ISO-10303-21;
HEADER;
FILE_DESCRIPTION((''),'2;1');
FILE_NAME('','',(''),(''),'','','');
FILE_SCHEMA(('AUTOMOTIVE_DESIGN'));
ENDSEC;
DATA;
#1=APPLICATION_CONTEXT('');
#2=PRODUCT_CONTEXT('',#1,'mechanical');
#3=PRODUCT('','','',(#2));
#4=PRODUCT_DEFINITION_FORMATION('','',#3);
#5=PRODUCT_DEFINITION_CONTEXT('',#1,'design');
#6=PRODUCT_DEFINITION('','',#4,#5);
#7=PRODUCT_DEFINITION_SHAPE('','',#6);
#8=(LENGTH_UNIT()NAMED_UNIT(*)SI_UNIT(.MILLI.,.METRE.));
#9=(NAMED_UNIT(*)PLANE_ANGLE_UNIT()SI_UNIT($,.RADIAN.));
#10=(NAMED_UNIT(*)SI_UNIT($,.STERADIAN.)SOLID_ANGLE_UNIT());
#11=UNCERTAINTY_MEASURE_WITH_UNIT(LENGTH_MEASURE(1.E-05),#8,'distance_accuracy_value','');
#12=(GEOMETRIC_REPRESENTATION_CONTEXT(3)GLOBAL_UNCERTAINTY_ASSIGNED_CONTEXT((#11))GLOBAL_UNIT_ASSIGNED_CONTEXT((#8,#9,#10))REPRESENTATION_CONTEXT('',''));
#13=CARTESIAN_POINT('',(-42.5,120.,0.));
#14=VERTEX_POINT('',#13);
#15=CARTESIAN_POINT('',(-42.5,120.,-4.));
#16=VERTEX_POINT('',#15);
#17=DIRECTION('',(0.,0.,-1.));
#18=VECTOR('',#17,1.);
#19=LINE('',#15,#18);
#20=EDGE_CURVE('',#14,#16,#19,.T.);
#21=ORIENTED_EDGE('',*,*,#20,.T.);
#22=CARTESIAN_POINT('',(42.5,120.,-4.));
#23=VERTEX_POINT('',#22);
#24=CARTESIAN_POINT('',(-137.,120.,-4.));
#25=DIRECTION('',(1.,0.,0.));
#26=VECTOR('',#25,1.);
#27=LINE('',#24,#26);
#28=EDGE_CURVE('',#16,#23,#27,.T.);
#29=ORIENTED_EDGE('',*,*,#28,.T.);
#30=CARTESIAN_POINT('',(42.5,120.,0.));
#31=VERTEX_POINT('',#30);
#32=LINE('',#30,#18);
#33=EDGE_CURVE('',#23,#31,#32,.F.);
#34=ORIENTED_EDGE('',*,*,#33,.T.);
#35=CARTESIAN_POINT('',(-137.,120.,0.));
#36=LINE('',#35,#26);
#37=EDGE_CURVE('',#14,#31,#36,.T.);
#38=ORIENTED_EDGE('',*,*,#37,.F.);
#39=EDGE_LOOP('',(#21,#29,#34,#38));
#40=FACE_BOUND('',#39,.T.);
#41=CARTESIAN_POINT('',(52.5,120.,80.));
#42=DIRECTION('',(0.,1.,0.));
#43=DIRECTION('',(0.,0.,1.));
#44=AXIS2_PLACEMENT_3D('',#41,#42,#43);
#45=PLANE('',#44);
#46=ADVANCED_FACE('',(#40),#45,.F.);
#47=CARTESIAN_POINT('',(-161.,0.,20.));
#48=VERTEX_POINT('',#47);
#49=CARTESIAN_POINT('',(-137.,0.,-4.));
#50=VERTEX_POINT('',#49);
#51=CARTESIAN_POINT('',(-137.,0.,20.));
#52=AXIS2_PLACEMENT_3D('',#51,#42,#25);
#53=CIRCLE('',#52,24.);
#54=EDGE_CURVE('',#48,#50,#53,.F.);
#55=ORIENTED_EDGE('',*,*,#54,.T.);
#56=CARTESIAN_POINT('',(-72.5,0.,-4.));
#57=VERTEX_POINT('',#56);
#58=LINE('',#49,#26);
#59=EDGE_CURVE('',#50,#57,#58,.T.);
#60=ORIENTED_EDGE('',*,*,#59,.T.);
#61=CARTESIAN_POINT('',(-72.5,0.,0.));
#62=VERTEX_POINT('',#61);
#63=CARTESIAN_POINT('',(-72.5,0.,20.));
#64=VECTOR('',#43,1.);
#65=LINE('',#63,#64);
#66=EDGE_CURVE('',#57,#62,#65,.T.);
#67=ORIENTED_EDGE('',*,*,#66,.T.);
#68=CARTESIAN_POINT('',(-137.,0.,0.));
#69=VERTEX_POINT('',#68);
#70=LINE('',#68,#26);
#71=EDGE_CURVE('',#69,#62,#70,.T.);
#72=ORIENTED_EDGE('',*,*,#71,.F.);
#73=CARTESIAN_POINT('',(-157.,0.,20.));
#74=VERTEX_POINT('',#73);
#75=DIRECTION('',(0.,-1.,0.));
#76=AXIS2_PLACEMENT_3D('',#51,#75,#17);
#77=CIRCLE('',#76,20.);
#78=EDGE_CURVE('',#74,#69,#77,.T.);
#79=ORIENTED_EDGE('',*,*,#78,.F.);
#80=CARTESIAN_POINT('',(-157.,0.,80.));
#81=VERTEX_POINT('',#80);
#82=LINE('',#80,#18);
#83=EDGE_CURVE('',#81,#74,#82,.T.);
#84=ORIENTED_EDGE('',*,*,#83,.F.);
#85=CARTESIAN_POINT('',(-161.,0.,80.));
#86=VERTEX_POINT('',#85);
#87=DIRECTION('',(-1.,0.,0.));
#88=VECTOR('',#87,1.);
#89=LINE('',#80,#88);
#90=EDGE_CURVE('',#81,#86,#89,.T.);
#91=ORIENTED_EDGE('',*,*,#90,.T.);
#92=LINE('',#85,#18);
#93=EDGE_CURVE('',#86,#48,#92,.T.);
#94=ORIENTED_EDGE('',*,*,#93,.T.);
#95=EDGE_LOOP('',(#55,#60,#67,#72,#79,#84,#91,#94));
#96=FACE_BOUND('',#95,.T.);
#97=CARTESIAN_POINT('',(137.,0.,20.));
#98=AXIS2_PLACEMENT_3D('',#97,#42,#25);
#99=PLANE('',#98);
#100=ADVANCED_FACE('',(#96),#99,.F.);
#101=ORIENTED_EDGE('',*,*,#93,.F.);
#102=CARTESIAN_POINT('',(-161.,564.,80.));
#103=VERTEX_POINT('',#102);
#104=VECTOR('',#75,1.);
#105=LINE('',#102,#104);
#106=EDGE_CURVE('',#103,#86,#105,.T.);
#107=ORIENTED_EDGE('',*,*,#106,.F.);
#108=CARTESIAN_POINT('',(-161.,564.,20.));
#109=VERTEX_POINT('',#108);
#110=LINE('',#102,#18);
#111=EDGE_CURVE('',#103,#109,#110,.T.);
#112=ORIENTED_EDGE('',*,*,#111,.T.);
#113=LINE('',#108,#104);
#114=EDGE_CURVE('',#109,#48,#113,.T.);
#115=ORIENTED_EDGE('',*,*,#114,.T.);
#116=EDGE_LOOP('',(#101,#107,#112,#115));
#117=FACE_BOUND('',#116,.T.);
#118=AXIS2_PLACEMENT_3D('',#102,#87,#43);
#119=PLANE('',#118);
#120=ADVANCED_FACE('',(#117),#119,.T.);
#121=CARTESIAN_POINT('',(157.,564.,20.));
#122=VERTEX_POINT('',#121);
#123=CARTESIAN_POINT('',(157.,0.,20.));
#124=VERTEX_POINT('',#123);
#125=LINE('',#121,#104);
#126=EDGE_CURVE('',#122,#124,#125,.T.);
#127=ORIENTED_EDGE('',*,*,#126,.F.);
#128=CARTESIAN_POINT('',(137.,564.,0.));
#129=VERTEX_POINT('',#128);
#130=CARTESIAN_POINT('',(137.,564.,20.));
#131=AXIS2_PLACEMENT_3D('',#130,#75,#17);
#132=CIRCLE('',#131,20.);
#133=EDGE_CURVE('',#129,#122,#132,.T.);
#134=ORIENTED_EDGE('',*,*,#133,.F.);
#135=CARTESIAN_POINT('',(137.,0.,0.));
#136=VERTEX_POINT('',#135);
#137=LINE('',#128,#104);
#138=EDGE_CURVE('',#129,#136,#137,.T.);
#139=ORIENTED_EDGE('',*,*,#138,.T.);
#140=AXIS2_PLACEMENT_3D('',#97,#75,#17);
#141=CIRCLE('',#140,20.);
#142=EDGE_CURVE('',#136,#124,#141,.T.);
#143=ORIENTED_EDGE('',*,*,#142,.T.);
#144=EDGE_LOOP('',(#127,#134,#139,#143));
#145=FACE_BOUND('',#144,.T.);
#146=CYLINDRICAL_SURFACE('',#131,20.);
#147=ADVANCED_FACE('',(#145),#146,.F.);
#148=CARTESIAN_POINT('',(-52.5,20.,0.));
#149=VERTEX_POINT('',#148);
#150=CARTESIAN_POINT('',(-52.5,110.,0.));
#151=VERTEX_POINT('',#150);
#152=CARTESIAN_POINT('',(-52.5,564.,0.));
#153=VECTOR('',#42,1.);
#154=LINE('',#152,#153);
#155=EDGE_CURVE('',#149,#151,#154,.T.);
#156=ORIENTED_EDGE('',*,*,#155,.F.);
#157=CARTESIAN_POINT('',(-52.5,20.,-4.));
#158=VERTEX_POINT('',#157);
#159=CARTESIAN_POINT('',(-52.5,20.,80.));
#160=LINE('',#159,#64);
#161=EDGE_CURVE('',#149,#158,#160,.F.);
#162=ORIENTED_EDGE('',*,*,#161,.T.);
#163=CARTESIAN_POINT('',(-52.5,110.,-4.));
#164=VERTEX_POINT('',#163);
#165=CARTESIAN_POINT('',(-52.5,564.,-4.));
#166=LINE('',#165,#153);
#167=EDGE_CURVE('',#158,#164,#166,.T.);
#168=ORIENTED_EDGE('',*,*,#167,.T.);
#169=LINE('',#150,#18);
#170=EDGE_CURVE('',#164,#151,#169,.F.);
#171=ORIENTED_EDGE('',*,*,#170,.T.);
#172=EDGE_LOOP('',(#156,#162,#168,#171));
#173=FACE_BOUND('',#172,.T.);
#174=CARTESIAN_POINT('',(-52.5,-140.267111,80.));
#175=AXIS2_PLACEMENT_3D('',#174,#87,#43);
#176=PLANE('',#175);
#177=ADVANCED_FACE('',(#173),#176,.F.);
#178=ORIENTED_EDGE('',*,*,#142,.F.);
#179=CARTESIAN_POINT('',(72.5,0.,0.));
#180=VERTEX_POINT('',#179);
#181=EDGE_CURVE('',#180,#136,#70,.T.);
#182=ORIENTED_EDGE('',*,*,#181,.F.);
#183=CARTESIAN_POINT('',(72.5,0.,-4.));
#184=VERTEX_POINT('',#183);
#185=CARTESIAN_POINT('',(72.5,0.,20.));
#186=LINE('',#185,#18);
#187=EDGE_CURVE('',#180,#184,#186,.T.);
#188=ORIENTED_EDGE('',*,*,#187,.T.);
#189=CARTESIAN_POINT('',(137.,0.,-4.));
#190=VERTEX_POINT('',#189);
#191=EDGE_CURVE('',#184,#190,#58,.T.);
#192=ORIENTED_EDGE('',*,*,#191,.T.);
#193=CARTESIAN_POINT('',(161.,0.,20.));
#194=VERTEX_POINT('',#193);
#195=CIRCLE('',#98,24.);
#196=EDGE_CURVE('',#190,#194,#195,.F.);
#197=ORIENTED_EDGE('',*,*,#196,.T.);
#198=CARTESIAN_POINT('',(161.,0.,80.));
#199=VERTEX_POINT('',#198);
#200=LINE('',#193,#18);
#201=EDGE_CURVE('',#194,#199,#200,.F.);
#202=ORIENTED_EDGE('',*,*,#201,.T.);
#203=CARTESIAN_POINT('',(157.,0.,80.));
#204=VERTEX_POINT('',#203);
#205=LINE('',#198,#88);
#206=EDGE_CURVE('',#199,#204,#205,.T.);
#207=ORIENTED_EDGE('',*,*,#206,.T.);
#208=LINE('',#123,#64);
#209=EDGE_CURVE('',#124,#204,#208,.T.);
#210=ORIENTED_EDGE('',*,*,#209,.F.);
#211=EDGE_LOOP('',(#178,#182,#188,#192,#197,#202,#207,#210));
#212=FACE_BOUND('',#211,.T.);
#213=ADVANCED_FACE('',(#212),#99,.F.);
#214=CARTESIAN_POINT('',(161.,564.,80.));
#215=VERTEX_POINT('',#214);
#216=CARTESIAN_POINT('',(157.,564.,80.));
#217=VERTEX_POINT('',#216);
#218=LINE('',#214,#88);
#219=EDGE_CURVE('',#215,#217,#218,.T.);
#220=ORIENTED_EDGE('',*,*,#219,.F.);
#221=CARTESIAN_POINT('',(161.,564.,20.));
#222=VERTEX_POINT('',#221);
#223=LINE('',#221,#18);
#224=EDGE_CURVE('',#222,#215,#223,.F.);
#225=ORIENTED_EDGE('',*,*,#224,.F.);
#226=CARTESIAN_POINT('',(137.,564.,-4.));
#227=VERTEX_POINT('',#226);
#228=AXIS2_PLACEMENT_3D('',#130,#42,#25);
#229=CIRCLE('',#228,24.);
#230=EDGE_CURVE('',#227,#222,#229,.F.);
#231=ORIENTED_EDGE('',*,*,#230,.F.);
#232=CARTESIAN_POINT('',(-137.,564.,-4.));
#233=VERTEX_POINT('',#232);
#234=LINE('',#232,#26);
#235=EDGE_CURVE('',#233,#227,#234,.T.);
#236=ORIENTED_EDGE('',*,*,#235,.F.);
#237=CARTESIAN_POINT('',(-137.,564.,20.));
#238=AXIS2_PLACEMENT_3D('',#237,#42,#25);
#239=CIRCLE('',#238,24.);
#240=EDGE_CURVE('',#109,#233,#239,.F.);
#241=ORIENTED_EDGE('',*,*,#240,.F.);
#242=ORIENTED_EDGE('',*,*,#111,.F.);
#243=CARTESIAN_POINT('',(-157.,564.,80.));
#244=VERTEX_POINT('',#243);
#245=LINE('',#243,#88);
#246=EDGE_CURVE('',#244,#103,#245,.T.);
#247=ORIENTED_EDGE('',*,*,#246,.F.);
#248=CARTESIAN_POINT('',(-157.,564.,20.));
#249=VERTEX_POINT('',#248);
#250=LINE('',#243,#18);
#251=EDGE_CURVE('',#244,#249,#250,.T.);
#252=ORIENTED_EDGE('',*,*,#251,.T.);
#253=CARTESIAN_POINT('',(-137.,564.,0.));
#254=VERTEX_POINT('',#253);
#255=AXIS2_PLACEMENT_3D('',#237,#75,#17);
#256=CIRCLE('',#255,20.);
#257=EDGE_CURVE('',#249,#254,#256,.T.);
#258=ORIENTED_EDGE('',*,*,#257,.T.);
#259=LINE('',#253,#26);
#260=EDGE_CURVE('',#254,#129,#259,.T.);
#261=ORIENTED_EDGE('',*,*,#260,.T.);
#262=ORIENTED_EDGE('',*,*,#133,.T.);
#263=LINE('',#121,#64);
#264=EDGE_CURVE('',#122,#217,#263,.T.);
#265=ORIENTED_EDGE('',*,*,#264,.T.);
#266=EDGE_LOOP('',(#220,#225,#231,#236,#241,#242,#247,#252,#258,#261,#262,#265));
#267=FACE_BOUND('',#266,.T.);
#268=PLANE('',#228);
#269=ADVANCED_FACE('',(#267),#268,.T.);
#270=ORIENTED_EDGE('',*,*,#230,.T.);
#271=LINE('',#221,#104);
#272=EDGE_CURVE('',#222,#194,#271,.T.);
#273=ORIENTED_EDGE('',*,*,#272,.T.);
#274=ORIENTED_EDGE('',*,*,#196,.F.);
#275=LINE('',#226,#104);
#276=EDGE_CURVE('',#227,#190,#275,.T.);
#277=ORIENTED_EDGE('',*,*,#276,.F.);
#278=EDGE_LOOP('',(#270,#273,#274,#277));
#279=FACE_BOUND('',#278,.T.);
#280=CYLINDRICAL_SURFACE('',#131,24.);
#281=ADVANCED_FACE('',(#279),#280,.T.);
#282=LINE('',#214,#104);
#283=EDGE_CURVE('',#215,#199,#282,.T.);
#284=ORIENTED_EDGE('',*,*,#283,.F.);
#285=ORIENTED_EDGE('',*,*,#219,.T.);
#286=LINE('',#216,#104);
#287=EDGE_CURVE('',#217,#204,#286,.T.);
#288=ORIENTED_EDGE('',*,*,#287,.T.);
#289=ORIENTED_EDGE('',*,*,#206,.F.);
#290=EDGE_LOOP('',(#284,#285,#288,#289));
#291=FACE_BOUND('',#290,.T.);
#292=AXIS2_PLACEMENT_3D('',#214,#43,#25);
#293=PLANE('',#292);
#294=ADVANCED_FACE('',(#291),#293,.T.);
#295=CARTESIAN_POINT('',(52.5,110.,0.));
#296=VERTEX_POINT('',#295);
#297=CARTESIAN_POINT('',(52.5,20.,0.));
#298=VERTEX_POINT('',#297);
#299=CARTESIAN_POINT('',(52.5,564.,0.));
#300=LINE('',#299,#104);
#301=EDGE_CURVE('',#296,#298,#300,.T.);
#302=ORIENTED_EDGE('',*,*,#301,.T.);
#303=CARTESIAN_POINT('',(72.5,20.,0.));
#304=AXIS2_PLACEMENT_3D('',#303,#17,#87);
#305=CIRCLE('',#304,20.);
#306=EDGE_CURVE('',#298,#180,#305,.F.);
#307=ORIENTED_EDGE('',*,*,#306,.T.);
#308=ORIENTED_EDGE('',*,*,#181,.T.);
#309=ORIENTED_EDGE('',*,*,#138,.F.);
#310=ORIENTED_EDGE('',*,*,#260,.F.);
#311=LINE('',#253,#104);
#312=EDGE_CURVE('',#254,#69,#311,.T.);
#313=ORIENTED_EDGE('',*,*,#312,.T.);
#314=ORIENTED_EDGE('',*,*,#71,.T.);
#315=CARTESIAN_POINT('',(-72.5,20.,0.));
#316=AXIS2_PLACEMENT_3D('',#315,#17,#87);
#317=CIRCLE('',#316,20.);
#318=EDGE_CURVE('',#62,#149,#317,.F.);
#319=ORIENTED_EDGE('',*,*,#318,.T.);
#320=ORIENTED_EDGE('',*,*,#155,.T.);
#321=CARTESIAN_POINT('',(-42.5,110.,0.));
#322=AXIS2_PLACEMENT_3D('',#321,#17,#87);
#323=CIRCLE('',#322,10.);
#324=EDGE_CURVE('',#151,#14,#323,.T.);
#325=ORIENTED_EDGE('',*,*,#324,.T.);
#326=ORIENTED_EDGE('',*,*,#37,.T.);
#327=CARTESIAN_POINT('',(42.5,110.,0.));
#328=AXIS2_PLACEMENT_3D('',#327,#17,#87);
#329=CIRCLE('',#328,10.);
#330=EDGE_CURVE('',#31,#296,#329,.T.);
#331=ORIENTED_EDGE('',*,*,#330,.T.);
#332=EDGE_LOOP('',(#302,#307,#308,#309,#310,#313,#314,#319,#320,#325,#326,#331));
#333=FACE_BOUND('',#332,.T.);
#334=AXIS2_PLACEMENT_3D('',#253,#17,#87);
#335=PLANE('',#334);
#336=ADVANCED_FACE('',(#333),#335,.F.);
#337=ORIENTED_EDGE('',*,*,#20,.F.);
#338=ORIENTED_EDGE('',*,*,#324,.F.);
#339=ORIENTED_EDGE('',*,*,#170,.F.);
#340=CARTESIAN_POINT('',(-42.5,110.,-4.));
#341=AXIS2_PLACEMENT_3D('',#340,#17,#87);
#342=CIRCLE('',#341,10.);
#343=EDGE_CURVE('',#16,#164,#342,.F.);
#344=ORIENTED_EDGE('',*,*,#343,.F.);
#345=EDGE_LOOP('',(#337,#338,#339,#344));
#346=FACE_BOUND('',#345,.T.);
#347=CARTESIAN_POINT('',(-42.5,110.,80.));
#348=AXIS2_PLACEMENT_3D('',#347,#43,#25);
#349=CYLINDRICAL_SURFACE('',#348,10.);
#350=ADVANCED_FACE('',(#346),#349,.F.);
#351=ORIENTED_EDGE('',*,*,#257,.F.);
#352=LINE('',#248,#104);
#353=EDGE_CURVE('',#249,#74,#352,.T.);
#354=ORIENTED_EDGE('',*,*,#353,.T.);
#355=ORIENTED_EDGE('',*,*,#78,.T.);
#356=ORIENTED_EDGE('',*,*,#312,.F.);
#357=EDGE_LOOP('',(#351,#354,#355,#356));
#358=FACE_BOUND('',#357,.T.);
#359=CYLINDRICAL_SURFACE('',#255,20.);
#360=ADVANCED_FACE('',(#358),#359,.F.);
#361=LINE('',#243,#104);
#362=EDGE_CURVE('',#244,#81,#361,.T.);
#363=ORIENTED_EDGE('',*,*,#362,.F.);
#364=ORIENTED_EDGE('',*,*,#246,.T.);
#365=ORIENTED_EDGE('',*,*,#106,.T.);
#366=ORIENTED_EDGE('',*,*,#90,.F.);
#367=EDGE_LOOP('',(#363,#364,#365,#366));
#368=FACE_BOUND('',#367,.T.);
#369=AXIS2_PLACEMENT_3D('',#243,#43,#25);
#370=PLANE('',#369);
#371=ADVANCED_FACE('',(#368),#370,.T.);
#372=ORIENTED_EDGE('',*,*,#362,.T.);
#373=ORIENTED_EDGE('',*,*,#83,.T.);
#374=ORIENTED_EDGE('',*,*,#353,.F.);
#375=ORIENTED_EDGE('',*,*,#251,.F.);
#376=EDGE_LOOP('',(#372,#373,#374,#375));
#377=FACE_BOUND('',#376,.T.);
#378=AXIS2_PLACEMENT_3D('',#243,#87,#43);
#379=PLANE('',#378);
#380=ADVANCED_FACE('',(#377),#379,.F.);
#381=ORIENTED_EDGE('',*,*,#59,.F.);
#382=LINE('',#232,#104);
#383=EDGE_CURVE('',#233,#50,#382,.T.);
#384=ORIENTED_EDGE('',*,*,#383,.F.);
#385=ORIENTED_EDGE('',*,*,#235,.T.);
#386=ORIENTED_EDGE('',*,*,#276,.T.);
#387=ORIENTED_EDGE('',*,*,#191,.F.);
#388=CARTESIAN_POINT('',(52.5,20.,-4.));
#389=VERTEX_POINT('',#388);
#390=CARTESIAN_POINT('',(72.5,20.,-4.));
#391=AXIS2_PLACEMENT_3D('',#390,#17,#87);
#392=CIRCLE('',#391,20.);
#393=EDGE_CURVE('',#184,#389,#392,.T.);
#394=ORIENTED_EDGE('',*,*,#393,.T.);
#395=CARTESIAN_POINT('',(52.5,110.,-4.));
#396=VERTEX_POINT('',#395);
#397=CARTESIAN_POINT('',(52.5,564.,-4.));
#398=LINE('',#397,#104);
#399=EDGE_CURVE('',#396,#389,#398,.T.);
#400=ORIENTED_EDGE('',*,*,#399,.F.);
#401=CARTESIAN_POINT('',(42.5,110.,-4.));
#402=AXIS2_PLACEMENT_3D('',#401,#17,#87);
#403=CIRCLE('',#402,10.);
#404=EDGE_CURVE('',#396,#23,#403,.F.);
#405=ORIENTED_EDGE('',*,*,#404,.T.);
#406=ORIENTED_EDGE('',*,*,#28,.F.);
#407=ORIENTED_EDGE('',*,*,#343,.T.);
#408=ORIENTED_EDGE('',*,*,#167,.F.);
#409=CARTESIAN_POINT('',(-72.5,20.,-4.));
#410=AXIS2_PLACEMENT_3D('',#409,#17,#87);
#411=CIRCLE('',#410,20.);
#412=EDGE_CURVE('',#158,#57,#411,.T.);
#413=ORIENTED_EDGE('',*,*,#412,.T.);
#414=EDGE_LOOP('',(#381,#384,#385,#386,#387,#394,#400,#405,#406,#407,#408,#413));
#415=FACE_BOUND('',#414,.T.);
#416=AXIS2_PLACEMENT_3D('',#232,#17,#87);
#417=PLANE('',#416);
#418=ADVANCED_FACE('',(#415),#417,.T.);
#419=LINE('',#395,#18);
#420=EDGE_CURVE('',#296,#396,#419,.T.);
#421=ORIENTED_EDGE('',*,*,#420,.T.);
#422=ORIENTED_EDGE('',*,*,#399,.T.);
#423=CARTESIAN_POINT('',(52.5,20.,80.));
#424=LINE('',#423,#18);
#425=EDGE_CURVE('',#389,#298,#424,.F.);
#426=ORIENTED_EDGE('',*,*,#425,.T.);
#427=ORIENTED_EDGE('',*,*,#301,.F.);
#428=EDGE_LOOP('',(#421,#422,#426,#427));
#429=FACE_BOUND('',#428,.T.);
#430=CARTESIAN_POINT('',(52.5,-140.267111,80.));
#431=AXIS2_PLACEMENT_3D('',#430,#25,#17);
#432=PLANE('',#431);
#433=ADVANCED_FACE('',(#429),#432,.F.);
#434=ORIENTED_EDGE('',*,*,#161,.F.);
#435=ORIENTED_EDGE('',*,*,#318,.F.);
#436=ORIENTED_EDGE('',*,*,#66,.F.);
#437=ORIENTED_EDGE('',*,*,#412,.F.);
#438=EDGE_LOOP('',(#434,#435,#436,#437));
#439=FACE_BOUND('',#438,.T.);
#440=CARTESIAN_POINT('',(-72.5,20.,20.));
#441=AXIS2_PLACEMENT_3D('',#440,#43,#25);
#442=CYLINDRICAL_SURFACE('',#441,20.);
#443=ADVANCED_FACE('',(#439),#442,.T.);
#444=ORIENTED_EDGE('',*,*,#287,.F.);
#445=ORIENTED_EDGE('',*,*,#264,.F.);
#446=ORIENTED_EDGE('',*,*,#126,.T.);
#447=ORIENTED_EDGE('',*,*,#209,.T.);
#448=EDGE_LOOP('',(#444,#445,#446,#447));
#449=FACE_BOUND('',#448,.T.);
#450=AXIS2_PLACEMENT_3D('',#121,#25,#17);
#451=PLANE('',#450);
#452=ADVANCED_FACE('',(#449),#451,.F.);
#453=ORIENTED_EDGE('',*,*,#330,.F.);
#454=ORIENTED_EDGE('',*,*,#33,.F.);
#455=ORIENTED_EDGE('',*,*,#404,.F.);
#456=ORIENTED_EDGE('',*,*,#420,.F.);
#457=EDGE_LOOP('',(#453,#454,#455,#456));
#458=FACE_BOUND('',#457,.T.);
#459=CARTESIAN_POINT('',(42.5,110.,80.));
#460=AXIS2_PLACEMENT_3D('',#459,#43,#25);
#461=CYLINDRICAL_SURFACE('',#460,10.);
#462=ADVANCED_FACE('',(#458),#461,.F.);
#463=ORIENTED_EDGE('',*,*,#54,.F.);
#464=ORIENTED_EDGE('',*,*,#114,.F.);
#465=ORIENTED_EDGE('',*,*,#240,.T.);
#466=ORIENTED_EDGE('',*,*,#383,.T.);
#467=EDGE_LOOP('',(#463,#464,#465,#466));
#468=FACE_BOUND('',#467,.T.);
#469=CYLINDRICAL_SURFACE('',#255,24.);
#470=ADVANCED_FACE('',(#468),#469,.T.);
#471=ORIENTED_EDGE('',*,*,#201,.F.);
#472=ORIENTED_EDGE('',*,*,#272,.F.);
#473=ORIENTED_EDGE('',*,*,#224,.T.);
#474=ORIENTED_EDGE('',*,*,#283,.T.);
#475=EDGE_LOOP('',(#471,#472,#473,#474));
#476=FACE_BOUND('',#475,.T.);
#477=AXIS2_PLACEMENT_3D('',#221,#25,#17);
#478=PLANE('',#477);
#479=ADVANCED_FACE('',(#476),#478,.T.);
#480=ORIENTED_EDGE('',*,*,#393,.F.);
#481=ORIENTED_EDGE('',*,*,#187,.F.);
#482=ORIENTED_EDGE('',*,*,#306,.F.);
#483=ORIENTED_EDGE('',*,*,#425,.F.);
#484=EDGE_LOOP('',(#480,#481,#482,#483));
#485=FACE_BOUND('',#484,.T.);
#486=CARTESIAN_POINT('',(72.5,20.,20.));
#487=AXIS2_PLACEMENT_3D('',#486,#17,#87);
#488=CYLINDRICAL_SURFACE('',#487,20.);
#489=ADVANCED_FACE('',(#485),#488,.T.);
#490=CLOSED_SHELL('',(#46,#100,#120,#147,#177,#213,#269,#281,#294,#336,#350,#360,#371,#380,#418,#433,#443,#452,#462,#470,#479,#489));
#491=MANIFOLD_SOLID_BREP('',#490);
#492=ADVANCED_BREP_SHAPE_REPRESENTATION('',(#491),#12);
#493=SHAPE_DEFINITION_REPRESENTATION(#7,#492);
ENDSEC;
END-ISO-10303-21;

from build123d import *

# Parameters (mm, degrees)
EXTRUDE_THIN1_DEPTH     = 564
CUT_EXTRUDE1_DEPTH      = 593.514134852
CUT_EXTRUDE1_DEPTH_BACK = 593.514134852
SKETCH2_W               = 105
SKETCH2_H               = 260.267111285
FILLET2_R               = 10
FILLET3_R               = 20


with BuildPart() as part:
    # Sketch1 → Extrude-Thin1 (new body)
    with BuildSketch(Plane(origin=(0, 0, 0), x_dir=(1, 0, 0), z_dir=(0, 1, 0))):
        with BuildLine():
            Line((-157, -80), (-157, -20))
            ThreePointArc((-157, -20), (-151.142135624, -5.857864376), (-137, 0))
            Line((-137, 0), (137, 0))
            ThreePointArc((137, 0), (151.142135624, -5.857864376), (157, -20))
            Line((157, -20), (157, -80))
            Line((157, -80), (161, -80))
            Line((161, -80), (161, -20))
            ThreePointArc((161, -20), (153.970562748, -3.029437252), (137, 4))
            Line((137, 4), (-137, 4))
            ThreePointArc((-137, 4), (-153.970562748, -3.029437252), (-161, -20))
            Line((-161, -20), (-161, -80))
            Line((-161, -80), (-157, -80))
        make_face()
    extrude(amount=EXTRUDE_THIN1_DEPTH)

    # Sketch2 → Cut-Extrude1 (cut, two sides: drawn at the far end of the back side and taken through both)
    with BuildSketch(Plane(origin=(0, 0, -4), x_dir=(-1, 0, 0), z_dir=(0, 0, -1)).offset(-CUT_EXTRUDE1_DEPTH_BACK)):
        with Locations((0, -10.133555642)):
            Rectangle(SKETCH2_W, SKETCH2_H)
    extrude(amount=CUT_EXTRUDE1_DEPTH + CUT_EXTRUDE1_DEPTH_BACK, mode=Mode.SUBTRACT)

    # Fillet2
    fillet2_edges = [part.edges().sort_by_distance(p)[0] for p in [
        (52.5, 120, -2),
        (-52.5, 120, -2),
    ]]
    fillet(fillet2_edges, radius=FILLET2_R)

    # Fillet3
    fillet3_edges = [part.edges().sort_by_distance(p)[0] for p in [
        (-52.5, 0, -2),
        (52.5, 0, -2),
    ]]
    fillet(fillet3_edges, radius=FILLET3_R)


solid = part.part
